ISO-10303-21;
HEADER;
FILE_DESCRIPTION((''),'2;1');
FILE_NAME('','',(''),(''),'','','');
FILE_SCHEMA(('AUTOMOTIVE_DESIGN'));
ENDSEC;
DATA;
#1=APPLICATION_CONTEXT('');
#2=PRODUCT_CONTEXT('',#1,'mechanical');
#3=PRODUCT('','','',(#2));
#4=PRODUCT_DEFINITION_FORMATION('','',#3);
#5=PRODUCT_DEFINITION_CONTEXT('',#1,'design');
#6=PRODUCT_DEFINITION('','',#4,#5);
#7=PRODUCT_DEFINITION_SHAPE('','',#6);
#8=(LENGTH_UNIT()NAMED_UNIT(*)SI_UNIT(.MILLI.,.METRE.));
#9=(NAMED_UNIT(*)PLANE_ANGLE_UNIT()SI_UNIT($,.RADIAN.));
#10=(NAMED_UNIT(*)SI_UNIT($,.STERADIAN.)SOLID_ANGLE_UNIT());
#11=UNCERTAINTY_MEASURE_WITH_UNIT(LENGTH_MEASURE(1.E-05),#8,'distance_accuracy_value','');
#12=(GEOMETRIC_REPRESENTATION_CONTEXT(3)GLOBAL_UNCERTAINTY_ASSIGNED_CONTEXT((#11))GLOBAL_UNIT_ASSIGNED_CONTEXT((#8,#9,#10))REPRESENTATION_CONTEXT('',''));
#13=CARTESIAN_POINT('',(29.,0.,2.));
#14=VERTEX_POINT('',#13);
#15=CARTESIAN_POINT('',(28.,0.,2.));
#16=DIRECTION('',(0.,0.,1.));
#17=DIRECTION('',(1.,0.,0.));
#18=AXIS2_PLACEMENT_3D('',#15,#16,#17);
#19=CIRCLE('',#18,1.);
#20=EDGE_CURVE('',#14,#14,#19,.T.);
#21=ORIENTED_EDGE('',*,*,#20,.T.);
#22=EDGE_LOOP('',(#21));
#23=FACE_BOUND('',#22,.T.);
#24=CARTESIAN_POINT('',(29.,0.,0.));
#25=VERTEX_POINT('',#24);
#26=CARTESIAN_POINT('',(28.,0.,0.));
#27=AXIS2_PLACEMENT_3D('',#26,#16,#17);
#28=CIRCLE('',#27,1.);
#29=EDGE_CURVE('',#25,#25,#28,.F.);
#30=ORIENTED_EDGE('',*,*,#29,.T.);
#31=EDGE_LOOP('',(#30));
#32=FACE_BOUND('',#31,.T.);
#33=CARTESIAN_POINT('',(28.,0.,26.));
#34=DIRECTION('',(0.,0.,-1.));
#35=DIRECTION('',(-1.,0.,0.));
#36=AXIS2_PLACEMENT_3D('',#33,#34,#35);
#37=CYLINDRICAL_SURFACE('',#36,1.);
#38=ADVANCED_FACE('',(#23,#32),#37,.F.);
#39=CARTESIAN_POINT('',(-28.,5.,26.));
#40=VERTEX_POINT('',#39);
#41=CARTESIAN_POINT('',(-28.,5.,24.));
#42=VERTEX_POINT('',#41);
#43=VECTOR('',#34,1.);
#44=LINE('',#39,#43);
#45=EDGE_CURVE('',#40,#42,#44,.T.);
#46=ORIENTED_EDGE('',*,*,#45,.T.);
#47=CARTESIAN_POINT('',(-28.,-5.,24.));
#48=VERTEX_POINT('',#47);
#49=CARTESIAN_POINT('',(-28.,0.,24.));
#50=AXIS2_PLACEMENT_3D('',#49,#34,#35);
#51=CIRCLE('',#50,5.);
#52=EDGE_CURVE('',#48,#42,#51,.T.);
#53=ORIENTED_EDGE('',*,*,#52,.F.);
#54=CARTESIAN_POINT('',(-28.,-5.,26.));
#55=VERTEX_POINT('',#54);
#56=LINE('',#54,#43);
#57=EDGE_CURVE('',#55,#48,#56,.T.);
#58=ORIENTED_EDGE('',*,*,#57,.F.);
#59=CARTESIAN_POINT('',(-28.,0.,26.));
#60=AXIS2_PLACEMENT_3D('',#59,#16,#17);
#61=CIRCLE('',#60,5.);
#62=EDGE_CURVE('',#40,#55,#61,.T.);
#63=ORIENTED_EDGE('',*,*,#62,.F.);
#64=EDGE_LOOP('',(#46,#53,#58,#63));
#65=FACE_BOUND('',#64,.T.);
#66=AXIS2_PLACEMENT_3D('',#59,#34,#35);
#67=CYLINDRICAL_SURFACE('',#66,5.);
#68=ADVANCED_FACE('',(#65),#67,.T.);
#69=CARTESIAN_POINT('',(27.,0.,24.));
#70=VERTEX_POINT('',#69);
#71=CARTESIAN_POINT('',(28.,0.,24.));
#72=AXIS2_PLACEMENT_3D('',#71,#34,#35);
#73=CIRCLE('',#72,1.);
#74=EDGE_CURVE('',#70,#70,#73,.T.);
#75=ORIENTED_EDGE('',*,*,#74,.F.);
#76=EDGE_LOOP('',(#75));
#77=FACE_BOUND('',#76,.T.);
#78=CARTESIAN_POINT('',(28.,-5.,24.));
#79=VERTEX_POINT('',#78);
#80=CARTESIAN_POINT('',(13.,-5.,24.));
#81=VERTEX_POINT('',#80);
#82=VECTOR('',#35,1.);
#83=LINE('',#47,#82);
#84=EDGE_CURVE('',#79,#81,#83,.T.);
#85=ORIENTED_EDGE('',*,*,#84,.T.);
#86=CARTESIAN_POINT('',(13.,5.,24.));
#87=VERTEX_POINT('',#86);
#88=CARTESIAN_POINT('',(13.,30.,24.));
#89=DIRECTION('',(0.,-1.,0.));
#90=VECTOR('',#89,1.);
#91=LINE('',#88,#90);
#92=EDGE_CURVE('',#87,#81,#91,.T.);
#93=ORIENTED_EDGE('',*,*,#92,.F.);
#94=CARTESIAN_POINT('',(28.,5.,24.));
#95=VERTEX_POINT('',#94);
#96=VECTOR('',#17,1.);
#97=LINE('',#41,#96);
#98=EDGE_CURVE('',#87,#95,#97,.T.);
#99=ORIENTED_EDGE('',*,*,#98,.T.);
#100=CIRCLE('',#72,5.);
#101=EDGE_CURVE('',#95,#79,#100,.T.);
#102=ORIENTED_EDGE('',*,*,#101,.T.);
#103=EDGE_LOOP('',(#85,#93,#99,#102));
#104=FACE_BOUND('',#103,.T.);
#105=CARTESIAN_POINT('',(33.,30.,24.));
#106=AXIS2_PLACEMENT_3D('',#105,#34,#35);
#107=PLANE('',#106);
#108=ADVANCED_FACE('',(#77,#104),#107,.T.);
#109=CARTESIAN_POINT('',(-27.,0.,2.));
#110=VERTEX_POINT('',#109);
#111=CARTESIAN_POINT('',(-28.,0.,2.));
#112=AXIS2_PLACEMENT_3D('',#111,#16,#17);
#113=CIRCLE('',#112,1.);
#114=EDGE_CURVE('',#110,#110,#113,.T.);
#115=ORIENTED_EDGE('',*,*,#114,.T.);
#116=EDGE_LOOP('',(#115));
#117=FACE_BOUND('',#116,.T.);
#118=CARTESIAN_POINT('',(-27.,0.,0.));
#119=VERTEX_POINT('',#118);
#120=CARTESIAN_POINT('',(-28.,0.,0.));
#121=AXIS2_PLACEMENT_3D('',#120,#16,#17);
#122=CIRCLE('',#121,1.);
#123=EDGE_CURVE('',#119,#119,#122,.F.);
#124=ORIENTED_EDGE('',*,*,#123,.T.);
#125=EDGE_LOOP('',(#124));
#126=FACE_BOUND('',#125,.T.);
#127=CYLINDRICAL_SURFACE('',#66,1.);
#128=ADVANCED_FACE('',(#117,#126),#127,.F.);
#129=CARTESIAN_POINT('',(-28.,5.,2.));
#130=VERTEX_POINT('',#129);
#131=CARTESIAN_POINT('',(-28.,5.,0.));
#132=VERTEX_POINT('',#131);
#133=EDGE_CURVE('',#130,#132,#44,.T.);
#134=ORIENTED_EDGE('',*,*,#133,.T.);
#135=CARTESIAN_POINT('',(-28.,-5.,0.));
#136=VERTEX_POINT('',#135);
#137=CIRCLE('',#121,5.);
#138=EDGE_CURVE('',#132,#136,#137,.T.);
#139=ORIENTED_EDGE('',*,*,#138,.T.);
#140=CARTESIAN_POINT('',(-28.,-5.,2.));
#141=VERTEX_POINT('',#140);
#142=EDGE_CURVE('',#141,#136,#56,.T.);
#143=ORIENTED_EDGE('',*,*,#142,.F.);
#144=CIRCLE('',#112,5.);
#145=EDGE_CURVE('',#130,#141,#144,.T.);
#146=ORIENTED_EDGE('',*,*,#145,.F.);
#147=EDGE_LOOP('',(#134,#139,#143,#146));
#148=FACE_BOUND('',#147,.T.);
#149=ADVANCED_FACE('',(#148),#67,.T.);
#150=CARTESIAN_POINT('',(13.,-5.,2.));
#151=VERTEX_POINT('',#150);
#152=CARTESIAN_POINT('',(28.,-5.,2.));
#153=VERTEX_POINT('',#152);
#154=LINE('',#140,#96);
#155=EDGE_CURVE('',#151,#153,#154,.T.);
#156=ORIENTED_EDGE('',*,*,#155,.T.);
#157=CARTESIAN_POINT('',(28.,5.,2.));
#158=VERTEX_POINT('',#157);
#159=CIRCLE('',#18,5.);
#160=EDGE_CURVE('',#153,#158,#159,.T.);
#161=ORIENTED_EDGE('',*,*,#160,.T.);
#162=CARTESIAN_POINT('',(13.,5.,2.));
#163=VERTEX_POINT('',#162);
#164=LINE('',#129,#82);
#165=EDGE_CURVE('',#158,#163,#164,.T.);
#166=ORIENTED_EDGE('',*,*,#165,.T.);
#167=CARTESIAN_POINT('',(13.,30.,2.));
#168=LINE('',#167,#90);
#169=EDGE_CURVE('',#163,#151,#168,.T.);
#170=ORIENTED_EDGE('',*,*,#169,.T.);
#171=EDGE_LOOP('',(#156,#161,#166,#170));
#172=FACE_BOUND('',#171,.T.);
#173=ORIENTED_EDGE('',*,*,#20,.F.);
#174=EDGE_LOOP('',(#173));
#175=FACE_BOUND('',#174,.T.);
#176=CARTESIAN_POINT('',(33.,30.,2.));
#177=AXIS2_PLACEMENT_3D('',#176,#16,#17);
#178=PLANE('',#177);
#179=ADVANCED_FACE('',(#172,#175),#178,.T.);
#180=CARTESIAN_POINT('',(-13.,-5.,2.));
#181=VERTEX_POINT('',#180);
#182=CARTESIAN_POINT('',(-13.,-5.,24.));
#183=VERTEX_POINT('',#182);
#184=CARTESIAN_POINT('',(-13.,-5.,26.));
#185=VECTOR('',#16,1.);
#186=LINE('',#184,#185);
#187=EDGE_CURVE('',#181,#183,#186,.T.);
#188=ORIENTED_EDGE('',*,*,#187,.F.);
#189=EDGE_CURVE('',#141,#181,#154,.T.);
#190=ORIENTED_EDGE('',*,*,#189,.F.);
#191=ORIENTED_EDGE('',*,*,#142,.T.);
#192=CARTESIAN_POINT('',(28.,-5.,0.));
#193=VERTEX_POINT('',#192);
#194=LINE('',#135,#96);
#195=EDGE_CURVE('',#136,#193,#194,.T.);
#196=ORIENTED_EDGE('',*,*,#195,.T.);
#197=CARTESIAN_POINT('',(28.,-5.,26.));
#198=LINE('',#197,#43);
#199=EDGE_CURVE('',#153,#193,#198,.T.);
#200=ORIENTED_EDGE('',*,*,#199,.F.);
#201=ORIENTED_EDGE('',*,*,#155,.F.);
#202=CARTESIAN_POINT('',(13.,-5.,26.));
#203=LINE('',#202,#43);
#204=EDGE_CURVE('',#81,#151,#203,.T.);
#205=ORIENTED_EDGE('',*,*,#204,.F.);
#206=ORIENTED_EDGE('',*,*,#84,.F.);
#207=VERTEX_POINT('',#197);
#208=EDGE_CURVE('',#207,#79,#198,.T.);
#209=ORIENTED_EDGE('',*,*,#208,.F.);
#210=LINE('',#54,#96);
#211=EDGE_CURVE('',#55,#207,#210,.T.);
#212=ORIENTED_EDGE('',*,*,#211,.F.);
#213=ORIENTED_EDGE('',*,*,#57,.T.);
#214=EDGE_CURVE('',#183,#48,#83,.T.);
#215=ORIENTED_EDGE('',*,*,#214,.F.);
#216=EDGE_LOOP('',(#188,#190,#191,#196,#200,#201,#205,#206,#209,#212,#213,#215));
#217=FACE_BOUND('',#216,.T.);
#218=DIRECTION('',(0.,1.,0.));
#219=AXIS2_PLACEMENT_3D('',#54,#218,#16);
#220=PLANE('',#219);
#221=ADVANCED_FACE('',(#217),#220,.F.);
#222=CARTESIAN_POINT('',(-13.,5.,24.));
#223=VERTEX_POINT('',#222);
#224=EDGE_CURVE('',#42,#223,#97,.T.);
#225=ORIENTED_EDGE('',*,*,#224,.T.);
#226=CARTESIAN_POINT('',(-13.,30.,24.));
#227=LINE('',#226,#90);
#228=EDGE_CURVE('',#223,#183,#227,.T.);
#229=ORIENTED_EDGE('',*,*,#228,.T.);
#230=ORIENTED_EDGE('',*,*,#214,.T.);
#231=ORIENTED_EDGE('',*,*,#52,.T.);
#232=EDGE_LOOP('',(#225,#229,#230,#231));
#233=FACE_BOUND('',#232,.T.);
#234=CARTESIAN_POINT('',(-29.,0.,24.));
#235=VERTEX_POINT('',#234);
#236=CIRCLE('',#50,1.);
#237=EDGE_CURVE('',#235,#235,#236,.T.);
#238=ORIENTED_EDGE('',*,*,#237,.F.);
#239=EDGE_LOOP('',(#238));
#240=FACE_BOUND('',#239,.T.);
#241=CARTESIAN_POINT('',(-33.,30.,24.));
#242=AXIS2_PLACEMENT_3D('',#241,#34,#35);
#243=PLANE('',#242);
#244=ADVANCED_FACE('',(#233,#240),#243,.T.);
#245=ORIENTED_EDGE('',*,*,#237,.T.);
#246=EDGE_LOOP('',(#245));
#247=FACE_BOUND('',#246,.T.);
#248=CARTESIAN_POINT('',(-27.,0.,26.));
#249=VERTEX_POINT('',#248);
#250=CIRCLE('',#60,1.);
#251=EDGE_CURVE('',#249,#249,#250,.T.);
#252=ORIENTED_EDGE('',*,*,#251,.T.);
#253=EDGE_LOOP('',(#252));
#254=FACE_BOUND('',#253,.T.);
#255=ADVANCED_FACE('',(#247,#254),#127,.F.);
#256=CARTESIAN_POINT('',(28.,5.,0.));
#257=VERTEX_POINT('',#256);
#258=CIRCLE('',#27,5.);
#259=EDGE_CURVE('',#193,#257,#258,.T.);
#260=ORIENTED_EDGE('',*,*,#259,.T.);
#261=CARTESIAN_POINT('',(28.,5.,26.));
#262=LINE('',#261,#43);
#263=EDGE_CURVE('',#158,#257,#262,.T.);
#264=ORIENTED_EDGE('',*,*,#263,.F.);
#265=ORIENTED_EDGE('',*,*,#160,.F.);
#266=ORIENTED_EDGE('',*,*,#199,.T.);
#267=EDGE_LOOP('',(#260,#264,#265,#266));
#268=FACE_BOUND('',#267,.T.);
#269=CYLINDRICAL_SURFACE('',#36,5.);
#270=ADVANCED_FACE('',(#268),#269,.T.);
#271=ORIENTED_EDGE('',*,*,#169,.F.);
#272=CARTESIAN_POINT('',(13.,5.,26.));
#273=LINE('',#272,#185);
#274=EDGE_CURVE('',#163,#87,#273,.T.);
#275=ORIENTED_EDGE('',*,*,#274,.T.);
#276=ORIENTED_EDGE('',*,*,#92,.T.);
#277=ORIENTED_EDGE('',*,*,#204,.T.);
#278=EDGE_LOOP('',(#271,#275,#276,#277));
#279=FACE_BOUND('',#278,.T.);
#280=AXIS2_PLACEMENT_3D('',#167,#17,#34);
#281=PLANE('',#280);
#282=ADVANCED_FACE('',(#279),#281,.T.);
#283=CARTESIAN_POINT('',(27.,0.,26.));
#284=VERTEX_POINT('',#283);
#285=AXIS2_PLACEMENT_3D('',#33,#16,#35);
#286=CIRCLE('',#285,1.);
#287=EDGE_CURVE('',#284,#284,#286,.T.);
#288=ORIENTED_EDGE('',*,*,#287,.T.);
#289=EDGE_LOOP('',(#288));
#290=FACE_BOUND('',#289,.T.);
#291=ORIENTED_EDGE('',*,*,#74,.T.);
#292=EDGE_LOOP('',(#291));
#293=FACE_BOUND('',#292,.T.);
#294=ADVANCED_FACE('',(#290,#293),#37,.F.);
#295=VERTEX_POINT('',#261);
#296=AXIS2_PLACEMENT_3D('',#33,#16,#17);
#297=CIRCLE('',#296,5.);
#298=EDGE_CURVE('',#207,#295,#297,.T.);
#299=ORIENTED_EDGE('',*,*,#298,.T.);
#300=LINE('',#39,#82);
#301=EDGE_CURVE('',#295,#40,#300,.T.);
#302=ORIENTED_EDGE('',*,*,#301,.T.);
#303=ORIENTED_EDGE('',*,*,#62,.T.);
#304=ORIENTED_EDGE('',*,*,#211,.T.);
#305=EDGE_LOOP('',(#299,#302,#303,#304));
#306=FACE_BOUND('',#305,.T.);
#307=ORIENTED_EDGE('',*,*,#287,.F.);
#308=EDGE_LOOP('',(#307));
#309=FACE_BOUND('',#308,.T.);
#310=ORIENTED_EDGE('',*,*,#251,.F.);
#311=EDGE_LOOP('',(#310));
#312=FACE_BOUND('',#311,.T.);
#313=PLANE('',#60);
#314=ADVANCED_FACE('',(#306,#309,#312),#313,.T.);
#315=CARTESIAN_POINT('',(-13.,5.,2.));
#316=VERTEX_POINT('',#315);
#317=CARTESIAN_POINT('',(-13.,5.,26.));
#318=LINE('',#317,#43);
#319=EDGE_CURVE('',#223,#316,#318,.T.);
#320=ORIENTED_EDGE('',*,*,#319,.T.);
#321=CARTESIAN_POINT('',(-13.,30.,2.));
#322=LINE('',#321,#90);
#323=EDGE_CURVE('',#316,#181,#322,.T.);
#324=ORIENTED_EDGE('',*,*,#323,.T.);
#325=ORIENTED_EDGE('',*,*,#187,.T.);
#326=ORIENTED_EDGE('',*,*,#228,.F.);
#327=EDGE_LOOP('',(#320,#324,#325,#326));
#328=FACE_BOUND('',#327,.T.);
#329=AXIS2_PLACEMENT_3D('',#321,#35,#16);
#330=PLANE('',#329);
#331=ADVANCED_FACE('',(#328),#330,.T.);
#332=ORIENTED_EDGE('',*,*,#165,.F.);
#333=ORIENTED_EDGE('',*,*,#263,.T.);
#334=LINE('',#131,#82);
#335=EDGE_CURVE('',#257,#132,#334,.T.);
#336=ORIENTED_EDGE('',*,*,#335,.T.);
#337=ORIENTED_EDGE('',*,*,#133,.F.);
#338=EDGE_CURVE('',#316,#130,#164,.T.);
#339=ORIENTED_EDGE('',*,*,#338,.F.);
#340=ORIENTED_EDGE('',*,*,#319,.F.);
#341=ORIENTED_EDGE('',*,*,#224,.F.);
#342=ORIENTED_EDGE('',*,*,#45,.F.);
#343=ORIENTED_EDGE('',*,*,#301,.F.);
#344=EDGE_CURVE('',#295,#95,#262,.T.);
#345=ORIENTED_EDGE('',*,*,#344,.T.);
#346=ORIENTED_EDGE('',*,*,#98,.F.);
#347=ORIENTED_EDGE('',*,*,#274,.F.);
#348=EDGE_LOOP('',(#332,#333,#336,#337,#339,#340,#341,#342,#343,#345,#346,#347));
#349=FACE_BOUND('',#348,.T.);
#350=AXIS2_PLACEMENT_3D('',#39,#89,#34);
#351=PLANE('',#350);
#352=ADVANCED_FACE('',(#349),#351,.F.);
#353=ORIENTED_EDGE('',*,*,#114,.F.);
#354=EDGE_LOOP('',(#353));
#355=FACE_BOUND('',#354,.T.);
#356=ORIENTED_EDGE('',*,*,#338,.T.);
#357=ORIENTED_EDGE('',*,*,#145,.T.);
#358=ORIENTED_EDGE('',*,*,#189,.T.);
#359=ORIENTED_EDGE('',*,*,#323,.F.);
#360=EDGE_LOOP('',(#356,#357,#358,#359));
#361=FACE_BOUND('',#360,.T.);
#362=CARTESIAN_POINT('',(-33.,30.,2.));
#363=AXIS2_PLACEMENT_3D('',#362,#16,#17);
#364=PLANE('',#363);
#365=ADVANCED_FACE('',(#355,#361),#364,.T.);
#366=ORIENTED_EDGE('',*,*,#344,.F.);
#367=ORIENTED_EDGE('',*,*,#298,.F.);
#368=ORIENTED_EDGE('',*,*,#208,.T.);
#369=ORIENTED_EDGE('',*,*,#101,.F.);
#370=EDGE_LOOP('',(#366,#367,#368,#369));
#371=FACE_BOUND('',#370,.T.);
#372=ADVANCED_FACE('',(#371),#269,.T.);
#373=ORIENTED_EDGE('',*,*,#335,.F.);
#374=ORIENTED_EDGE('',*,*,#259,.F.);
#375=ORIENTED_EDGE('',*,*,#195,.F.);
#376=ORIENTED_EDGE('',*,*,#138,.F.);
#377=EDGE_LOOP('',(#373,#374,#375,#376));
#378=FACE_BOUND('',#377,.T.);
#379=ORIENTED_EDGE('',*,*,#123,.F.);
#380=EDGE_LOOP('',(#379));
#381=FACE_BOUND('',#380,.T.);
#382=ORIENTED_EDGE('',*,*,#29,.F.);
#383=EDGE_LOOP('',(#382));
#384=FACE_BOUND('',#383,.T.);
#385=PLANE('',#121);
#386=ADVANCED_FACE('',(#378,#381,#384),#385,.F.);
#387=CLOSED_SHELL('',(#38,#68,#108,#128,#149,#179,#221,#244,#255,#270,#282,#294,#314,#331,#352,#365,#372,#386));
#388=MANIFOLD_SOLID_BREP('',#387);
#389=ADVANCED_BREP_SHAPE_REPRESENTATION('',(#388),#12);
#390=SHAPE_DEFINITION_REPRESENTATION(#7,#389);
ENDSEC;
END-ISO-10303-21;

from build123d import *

# Parameters (mm, degrees)
EXTRUDE_1_DEPTH          = 26
SKETCH_2_R               = 1
CUT_EXTRUDE_4_DEPTH      = 27
CUT_EXTRUDE_4_DEPTH_BACK = 30
SKETCH_3_W               = 20
SKETCH_3_H               = 22
CUT_EXTRUDE_5_DEPTH      = 30
CUT_EXTRUDE_5_DEPTH_BACK = 30


with BuildPart() as part:
    # 草圖1 → 填料-伸長1 (new body)
    with BuildSketch(Plane.XY):
        with BuildLine():
            Line((-28, 5), (28, 5))
            ThreePointArc((28, 5), (33, 0), (28, -5))
            Line((28, -5), (-28, -5))
            ThreePointArc((-28, -5), (-33, 0), (-28, 5))
        make_face()
    extrude(amount=EXTRUDE_1_DEPTH)

    # 草圖2 → 除料-伸長4 (cut, two sides)
    with BuildSketch(Plane.XY) as cut_extrude_4_sk:
        with Locations((-28, 0)):
            Circle(SKETCH_2_R)
        with Locations((28, 0)):
            Circle(SKETCH_2_R)
    extrude(amount=CUT_EXTRUDE_4_DEPTH, mode=Mode.SUBTRACT)
    extrude(cut_extrude_4_sk.sketch, amount=-CUT_EXTRUDE_4_DEPTH_BACK, mode=Mode.SUBTRACT)

    # 草圖3 → 除料-伸長5 (cut, two sides)
    with BuildSketch(Plane(origin=(0, 0, 0), x_dir=(1, 0, 0), z_dir=(0, 1, 0))) as cut_extrude_5_sk:
        with Locations((-23, -13)):
            Rectangle(SKETCH_3_W, SKETCH_3_H)
        with Locations((23, -13)):
            Rectangle(SKETCH_3_W, SKETCH_3_H)
    extrude(amount=CUT_EXTRUDE_5_DEPTH, mode=Mode.SUBTRACT)
    extrude(cut_extrude_5_sk.sketch, amount=-CUT_EXTRUDE_5_DEPTH_BACK, mode=Mode.SUBTRACT)


solid = part.part
